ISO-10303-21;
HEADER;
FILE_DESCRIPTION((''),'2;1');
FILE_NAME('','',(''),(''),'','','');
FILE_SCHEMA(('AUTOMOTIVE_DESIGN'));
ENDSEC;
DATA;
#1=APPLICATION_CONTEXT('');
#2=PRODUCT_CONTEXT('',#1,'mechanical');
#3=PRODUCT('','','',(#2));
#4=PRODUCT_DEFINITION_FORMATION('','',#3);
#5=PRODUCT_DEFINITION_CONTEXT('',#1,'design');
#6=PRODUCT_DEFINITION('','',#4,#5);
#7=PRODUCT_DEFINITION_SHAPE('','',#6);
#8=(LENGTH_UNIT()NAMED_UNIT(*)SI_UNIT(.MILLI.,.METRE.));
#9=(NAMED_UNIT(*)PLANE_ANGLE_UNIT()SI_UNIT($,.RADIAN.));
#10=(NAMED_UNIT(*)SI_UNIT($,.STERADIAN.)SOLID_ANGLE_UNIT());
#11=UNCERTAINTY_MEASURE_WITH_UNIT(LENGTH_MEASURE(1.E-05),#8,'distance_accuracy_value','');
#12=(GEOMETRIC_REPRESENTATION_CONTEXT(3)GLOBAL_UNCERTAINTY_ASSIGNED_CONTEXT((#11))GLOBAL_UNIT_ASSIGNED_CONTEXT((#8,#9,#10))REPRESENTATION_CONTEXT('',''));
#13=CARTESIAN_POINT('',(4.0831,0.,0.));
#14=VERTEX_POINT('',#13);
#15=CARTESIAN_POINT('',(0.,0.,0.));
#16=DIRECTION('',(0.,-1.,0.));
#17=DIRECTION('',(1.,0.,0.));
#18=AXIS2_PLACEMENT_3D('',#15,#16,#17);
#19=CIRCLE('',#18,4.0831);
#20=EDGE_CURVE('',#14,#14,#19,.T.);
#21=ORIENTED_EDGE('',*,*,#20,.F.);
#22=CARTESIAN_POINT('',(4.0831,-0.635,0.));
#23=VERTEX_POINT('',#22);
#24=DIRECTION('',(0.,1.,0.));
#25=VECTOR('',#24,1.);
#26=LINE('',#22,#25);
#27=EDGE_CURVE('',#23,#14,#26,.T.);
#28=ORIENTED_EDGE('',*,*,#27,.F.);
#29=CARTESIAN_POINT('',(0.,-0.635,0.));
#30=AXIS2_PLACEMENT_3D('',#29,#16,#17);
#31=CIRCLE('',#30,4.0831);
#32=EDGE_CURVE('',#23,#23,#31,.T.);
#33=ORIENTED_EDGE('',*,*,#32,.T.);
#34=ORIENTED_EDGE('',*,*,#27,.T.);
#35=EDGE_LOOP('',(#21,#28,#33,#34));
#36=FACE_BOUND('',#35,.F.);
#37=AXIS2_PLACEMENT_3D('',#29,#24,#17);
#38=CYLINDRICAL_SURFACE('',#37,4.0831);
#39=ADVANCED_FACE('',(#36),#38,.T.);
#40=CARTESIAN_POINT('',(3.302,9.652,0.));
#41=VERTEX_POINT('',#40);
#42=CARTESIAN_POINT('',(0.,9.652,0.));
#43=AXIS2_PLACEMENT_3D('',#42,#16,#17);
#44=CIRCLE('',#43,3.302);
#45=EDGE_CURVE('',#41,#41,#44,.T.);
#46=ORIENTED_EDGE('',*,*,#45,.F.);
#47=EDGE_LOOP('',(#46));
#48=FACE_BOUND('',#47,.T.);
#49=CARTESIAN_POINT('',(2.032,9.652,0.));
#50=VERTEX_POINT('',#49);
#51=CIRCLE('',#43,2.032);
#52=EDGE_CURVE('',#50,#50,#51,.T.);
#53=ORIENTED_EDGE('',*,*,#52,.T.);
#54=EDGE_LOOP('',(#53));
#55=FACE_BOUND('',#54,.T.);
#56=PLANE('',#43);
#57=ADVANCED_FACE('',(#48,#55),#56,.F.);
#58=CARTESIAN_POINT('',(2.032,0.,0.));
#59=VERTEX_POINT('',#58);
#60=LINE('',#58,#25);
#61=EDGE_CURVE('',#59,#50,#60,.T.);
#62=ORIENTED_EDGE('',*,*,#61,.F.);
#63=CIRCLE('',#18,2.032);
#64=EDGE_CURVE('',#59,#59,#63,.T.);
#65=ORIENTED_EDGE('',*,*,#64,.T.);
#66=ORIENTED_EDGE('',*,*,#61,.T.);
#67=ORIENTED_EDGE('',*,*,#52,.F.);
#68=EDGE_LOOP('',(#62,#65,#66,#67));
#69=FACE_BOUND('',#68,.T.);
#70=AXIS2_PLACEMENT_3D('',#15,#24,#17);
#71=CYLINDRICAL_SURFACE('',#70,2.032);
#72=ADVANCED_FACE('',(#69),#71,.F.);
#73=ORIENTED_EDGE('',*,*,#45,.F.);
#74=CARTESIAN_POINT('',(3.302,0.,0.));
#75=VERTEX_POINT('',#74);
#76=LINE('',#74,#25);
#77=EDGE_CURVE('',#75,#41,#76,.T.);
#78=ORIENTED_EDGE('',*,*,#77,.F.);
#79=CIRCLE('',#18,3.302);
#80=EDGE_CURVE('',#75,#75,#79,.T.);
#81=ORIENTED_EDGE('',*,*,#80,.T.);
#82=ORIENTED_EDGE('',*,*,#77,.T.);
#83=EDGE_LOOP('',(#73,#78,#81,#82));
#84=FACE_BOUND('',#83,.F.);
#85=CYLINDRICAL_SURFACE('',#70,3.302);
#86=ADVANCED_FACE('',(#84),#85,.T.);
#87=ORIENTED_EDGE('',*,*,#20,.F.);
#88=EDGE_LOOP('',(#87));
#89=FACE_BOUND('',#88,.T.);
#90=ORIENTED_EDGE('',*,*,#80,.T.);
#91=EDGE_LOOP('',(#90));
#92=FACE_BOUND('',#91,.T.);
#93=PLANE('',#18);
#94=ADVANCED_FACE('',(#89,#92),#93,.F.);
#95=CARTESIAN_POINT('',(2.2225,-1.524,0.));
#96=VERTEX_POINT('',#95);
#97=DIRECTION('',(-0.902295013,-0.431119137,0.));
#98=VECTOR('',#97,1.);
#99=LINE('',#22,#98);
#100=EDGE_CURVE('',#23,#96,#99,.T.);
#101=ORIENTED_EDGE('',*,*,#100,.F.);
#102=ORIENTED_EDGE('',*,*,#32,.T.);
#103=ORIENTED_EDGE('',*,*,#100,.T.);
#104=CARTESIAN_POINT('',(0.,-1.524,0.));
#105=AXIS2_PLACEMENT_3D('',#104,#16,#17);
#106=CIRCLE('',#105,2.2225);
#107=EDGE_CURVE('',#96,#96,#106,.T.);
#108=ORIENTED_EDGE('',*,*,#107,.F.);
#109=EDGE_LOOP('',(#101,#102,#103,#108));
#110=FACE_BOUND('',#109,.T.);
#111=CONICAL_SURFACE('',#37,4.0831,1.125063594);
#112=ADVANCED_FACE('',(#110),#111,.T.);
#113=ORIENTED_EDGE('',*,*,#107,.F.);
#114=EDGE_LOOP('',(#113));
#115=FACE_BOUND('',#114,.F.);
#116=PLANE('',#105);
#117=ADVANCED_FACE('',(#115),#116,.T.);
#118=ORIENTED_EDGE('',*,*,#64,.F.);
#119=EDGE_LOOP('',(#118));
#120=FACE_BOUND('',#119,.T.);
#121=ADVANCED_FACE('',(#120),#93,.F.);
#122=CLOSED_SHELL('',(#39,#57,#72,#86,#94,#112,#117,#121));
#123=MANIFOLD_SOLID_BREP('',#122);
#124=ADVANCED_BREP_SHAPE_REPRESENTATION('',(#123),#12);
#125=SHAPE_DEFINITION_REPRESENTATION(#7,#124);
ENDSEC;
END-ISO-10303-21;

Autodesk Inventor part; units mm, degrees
ref_plane "YZ Plane" through (0, 0, 0) normal (1, 0, 0) x (0, 1, 0)
ref_plane "XZ Plane" through (0, 0, 0) normal (0, 1, 0) x (-1, 0, 0)
ref_plane "XY Plane" through (0, 0, 0) normal (0, 0, 1) x (1, 0, 0)
sketch "Sketch1" plane through (0, 0, 0) normal (0, 0, 1) x (1, 0, 0)
  line L0 (0, 0) -> (3.302, 0)
  line L1 (3.302, 0) -> (3.302, 9.652)
  line L2 (2.032, 9.652) -> (3.302, 9.652)
  line L3 (3.302, 9.652) -> (3.302, 0)
  line L4 (3.302, 0) -> (2.032, 0)
  line L5 (2.032, 0) -> (2.032, 9.652)
  line L6 (0, 9.652) -> (0, 0)
  line L7 (0, 0) -> (4.0831, 0)
  line L8 (0, -1.524) -> (0, 0)
  line L9 (4.0831, -0.635) -> (2.2225, -1.524)
  line L10 (0, -1.524) -> (2.2225, -1.524)
  line L11 (3.302, 0) -> (4.0831, 0)
  line L12 (4.0831, -0.635) -> (4.0831, 0)
  dimension "d0" = 9.652
  dimension "d3" = 1.27
  dimension "d4" = 3.302
  dimension "d7" = 0.635
  dimension "d8" = 2.2225
revolve "Revolution1" add sketch "Sketch1" angle 360 about axis through (0, 9.652, 0) along (0, -1, 0)
properties part number "Barrel End Cap"
